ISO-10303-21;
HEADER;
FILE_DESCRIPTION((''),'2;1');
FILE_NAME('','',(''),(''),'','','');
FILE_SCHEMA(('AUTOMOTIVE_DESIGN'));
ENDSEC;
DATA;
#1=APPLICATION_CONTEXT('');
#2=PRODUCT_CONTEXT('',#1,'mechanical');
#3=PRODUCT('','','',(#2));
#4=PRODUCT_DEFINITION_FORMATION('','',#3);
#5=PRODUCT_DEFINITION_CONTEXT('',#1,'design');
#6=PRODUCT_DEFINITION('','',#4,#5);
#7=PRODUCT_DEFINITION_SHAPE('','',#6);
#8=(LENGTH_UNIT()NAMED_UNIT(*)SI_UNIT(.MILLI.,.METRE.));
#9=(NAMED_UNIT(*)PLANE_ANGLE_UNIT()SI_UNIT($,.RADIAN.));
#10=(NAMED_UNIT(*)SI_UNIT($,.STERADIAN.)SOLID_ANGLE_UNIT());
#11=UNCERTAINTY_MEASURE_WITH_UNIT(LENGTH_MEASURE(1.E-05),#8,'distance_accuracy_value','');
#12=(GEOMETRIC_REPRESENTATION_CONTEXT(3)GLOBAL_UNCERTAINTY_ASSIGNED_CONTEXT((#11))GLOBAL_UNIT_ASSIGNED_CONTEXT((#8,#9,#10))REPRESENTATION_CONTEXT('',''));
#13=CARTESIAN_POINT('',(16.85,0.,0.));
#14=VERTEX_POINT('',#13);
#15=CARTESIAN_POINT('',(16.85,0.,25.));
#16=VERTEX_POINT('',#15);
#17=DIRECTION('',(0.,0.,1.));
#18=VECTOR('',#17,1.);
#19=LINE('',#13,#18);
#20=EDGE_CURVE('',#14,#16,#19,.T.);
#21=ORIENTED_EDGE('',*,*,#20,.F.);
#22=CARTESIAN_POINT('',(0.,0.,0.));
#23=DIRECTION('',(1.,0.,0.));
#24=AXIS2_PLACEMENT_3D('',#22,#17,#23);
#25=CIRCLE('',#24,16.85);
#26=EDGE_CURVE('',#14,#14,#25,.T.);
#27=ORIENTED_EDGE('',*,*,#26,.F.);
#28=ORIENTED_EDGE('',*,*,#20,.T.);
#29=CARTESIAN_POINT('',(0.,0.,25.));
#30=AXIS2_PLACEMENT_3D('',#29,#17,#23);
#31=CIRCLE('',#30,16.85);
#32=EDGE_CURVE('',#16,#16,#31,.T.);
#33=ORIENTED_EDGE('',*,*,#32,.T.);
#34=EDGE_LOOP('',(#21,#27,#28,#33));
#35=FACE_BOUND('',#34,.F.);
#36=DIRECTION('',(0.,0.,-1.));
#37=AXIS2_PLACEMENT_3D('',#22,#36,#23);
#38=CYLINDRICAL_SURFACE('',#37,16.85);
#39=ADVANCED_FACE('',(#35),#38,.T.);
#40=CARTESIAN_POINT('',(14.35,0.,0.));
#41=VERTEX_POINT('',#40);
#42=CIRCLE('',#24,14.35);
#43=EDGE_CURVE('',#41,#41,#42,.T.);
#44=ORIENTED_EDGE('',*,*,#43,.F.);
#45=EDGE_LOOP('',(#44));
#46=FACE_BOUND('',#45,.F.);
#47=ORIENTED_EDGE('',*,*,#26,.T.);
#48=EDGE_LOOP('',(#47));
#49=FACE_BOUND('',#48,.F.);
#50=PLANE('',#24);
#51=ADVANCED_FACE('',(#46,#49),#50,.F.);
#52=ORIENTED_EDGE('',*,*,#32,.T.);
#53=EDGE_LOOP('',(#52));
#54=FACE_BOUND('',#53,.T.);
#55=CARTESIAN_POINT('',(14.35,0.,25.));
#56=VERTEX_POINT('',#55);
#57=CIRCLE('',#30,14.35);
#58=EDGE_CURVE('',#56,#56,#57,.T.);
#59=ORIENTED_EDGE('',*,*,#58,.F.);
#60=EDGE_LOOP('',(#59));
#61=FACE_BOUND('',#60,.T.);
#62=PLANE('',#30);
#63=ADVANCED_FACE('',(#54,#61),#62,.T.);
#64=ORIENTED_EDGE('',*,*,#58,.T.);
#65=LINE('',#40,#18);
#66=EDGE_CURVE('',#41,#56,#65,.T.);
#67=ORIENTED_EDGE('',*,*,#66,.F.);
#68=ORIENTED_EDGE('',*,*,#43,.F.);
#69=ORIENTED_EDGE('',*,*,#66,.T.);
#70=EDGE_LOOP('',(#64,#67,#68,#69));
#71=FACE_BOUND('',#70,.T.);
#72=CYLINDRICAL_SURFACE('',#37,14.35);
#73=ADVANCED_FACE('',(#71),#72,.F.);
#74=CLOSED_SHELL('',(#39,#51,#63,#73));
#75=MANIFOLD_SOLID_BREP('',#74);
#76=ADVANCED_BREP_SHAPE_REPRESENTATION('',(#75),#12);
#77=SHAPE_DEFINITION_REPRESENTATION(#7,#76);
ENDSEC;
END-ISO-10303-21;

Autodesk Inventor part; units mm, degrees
ref_plane "YZ Plane" through (0, 0, 0) normal (1, 0, 0) x (0, 1, 0)
ref_plane "XZ Plane" through (0, 0, 0) normal (0, 1, 0) x (-1, 0, 0)
ref_plane "XY Plane" through (0, 0, 0) normal (0, 0, 1) x (1, 0, 0)
sketch "Sketch1" plane through (0, 0, 0) normal (0, 0, 1) x (1, 0, 0)
  circle A0 centre (0, 0) radius 14.35
  circle A1 centre (0, 0) radius 16.85
  dimension "d0" = 28.7
  dimension "d1" = 33.7
extrude "Extrusion2" add sketch "Sketch1" along normal blind 25
properties part number "Circle_TestFit_V1"
